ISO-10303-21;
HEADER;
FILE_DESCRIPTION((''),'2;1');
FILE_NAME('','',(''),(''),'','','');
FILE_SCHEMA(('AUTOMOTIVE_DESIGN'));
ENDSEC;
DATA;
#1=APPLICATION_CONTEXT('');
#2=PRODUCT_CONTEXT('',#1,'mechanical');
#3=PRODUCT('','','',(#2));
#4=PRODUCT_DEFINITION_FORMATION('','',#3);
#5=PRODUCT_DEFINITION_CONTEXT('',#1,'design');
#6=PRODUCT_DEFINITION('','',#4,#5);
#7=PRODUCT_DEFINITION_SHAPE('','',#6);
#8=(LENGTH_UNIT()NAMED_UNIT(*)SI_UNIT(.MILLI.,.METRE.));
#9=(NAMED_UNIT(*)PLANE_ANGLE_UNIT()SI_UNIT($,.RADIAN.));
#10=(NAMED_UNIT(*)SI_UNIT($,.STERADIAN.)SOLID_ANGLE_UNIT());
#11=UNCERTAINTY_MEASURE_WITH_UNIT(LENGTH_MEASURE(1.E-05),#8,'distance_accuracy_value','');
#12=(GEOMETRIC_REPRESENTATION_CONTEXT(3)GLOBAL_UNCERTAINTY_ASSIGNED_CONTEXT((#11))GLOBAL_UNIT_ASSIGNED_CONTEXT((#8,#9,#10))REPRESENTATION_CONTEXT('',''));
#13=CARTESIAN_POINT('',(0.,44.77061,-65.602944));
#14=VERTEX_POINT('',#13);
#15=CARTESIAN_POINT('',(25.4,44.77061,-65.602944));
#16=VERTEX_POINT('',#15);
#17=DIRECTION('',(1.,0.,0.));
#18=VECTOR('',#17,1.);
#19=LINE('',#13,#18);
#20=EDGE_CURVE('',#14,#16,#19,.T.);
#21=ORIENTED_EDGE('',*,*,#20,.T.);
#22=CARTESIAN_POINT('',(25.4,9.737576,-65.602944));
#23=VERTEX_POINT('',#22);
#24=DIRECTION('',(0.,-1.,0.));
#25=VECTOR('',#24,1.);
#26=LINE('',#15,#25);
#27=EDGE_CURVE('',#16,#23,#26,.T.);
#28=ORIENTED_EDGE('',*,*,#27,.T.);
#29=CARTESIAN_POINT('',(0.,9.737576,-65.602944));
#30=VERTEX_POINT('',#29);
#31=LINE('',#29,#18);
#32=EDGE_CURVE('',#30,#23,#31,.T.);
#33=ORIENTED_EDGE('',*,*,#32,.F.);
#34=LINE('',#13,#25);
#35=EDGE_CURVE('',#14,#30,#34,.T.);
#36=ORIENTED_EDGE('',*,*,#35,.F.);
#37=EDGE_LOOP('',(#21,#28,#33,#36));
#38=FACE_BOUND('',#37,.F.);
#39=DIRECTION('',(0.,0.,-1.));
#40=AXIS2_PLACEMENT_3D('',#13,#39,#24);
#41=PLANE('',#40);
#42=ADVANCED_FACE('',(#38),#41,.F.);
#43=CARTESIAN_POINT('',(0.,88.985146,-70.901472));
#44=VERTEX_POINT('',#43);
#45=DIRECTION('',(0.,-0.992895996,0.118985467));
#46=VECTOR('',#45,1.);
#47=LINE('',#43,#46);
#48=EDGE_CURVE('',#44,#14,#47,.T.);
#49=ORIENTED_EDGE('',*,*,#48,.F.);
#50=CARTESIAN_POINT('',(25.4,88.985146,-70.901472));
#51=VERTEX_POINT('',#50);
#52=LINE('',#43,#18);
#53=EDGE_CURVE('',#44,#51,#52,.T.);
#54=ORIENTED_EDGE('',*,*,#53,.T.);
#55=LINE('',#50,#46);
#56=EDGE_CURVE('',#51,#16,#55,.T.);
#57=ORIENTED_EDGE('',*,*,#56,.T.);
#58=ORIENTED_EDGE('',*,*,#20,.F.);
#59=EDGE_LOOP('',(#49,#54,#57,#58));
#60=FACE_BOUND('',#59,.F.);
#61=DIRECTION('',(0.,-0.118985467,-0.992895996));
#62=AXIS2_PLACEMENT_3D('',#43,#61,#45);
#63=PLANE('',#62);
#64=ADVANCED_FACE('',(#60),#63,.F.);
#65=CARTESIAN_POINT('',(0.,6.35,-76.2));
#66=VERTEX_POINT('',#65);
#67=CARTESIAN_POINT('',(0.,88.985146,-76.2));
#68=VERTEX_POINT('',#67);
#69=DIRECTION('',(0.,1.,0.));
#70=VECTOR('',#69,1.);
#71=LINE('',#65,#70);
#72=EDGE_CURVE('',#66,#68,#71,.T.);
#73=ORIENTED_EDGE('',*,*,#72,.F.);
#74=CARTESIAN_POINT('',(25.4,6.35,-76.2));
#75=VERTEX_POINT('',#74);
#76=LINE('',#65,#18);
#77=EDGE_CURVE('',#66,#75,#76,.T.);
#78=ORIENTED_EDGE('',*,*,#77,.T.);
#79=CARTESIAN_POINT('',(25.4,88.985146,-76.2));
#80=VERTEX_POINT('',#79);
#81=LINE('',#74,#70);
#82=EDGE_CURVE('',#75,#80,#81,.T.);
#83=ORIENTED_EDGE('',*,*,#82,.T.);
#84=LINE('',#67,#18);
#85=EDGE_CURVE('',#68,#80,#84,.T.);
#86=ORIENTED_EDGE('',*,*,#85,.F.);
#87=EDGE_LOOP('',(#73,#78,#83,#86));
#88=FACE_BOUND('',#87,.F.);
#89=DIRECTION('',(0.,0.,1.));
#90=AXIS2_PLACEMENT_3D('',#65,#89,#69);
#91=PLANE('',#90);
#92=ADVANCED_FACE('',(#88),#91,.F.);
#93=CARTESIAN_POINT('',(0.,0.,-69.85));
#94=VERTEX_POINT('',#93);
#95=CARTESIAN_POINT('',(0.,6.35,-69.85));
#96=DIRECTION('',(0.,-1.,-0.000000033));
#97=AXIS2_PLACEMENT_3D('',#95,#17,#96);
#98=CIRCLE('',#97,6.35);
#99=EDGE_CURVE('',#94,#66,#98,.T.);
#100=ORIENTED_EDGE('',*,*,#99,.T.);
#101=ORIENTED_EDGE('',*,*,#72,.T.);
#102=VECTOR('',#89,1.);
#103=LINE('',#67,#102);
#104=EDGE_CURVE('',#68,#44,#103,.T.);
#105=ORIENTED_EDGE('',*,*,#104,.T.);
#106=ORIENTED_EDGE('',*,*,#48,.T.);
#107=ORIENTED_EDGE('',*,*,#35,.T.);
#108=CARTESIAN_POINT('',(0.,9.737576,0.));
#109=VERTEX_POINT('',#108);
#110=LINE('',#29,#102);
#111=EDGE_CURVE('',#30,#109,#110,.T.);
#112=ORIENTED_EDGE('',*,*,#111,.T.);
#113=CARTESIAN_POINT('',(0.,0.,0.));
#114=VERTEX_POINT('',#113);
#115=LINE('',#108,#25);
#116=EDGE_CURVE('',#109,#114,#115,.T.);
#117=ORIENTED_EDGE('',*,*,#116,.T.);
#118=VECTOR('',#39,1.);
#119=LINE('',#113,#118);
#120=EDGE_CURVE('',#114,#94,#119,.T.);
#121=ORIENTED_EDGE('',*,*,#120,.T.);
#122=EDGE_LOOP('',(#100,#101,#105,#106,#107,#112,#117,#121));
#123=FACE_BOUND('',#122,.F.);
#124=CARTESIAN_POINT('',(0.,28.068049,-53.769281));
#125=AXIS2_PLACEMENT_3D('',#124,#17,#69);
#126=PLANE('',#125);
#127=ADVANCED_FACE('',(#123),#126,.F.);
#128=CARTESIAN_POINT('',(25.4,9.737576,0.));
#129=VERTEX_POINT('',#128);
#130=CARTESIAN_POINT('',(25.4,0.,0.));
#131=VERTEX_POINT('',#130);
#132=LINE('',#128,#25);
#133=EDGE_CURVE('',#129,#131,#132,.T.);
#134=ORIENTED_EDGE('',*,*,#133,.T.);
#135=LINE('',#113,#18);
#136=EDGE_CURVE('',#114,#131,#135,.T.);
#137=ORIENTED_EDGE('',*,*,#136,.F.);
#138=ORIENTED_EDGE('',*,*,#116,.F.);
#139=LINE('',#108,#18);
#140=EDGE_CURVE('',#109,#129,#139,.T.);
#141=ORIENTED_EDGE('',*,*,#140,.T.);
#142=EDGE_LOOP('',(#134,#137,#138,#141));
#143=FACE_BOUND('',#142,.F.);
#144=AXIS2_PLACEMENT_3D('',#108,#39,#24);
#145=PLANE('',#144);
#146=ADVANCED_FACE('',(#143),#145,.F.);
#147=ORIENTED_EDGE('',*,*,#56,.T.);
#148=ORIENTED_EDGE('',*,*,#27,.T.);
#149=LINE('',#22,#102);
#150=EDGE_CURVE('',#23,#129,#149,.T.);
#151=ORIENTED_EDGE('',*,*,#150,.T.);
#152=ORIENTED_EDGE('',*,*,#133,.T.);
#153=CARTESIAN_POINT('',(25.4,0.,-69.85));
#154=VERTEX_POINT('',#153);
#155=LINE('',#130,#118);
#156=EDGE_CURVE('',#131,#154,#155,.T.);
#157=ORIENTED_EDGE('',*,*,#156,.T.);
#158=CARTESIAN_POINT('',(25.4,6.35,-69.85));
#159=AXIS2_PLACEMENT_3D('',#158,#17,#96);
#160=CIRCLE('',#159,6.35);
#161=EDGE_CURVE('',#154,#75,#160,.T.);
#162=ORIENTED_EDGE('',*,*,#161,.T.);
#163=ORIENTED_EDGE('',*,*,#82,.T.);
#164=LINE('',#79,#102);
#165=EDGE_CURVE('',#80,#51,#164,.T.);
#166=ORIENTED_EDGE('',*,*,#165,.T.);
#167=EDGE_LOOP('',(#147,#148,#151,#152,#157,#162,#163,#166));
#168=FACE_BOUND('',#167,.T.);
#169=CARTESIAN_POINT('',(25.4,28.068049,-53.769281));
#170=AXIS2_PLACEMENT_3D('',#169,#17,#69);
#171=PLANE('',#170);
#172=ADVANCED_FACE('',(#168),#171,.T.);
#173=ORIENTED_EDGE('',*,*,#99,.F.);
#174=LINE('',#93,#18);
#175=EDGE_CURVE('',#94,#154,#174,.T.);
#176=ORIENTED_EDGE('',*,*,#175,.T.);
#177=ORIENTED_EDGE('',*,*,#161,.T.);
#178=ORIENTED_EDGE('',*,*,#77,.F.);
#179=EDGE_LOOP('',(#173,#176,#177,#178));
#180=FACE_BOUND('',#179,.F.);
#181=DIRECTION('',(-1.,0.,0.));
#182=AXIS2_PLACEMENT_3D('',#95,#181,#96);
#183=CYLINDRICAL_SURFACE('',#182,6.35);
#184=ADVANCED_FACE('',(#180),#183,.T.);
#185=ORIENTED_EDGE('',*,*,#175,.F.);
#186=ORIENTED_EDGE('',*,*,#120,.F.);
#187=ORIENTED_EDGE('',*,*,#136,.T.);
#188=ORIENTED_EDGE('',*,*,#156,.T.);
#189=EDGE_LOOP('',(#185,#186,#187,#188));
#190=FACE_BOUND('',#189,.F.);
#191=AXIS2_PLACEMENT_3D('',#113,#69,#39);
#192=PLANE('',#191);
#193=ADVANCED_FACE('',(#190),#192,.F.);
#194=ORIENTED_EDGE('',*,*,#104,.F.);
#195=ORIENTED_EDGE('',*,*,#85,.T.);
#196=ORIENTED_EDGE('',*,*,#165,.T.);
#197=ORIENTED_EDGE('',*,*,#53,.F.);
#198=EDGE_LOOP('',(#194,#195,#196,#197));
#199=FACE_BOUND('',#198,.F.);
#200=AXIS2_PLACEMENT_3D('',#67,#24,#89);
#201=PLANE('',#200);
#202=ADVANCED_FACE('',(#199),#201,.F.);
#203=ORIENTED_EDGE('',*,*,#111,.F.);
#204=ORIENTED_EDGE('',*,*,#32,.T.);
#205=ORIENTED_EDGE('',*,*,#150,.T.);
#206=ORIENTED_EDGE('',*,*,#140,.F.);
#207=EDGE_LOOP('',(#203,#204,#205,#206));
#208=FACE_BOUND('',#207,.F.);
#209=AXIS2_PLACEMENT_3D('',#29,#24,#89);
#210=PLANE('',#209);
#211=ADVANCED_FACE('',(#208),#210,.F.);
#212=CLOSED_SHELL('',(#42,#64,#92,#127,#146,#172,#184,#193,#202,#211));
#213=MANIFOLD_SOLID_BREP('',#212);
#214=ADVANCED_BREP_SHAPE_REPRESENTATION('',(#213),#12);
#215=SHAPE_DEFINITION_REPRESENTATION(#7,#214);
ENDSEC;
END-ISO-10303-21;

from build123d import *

# Parameters (mm, degrees)
F1_DEPTH = 25.4


with BuildPart() as f1:
    # F0 (on Right) → F1 (new body)
    with BuildSketch(Plane.YZ):
        with BuildLine():
            Line((9.737576, 0), (0, 0))
            Line((0, 0), (0, -69.85))
            ThreePointArc((0, -69.85), (1.859872, -74.340128), (6.35, -76.2))
            Line((6.35, -76.2), (88.985146, -76.2))
            Line((88.985146, -76.2), (88.985146, -70.901472))
            Line((88.985146, -70.901472), (44.77061, -65.602944))
            Line((44.77061, -65.602944), (9.737576, -65.602944))
            Line((9.737576, -65.602944), (9.737576, 0))
        make_face()
    extrude(amount=F1_DEPTH)


solid = f1.part
